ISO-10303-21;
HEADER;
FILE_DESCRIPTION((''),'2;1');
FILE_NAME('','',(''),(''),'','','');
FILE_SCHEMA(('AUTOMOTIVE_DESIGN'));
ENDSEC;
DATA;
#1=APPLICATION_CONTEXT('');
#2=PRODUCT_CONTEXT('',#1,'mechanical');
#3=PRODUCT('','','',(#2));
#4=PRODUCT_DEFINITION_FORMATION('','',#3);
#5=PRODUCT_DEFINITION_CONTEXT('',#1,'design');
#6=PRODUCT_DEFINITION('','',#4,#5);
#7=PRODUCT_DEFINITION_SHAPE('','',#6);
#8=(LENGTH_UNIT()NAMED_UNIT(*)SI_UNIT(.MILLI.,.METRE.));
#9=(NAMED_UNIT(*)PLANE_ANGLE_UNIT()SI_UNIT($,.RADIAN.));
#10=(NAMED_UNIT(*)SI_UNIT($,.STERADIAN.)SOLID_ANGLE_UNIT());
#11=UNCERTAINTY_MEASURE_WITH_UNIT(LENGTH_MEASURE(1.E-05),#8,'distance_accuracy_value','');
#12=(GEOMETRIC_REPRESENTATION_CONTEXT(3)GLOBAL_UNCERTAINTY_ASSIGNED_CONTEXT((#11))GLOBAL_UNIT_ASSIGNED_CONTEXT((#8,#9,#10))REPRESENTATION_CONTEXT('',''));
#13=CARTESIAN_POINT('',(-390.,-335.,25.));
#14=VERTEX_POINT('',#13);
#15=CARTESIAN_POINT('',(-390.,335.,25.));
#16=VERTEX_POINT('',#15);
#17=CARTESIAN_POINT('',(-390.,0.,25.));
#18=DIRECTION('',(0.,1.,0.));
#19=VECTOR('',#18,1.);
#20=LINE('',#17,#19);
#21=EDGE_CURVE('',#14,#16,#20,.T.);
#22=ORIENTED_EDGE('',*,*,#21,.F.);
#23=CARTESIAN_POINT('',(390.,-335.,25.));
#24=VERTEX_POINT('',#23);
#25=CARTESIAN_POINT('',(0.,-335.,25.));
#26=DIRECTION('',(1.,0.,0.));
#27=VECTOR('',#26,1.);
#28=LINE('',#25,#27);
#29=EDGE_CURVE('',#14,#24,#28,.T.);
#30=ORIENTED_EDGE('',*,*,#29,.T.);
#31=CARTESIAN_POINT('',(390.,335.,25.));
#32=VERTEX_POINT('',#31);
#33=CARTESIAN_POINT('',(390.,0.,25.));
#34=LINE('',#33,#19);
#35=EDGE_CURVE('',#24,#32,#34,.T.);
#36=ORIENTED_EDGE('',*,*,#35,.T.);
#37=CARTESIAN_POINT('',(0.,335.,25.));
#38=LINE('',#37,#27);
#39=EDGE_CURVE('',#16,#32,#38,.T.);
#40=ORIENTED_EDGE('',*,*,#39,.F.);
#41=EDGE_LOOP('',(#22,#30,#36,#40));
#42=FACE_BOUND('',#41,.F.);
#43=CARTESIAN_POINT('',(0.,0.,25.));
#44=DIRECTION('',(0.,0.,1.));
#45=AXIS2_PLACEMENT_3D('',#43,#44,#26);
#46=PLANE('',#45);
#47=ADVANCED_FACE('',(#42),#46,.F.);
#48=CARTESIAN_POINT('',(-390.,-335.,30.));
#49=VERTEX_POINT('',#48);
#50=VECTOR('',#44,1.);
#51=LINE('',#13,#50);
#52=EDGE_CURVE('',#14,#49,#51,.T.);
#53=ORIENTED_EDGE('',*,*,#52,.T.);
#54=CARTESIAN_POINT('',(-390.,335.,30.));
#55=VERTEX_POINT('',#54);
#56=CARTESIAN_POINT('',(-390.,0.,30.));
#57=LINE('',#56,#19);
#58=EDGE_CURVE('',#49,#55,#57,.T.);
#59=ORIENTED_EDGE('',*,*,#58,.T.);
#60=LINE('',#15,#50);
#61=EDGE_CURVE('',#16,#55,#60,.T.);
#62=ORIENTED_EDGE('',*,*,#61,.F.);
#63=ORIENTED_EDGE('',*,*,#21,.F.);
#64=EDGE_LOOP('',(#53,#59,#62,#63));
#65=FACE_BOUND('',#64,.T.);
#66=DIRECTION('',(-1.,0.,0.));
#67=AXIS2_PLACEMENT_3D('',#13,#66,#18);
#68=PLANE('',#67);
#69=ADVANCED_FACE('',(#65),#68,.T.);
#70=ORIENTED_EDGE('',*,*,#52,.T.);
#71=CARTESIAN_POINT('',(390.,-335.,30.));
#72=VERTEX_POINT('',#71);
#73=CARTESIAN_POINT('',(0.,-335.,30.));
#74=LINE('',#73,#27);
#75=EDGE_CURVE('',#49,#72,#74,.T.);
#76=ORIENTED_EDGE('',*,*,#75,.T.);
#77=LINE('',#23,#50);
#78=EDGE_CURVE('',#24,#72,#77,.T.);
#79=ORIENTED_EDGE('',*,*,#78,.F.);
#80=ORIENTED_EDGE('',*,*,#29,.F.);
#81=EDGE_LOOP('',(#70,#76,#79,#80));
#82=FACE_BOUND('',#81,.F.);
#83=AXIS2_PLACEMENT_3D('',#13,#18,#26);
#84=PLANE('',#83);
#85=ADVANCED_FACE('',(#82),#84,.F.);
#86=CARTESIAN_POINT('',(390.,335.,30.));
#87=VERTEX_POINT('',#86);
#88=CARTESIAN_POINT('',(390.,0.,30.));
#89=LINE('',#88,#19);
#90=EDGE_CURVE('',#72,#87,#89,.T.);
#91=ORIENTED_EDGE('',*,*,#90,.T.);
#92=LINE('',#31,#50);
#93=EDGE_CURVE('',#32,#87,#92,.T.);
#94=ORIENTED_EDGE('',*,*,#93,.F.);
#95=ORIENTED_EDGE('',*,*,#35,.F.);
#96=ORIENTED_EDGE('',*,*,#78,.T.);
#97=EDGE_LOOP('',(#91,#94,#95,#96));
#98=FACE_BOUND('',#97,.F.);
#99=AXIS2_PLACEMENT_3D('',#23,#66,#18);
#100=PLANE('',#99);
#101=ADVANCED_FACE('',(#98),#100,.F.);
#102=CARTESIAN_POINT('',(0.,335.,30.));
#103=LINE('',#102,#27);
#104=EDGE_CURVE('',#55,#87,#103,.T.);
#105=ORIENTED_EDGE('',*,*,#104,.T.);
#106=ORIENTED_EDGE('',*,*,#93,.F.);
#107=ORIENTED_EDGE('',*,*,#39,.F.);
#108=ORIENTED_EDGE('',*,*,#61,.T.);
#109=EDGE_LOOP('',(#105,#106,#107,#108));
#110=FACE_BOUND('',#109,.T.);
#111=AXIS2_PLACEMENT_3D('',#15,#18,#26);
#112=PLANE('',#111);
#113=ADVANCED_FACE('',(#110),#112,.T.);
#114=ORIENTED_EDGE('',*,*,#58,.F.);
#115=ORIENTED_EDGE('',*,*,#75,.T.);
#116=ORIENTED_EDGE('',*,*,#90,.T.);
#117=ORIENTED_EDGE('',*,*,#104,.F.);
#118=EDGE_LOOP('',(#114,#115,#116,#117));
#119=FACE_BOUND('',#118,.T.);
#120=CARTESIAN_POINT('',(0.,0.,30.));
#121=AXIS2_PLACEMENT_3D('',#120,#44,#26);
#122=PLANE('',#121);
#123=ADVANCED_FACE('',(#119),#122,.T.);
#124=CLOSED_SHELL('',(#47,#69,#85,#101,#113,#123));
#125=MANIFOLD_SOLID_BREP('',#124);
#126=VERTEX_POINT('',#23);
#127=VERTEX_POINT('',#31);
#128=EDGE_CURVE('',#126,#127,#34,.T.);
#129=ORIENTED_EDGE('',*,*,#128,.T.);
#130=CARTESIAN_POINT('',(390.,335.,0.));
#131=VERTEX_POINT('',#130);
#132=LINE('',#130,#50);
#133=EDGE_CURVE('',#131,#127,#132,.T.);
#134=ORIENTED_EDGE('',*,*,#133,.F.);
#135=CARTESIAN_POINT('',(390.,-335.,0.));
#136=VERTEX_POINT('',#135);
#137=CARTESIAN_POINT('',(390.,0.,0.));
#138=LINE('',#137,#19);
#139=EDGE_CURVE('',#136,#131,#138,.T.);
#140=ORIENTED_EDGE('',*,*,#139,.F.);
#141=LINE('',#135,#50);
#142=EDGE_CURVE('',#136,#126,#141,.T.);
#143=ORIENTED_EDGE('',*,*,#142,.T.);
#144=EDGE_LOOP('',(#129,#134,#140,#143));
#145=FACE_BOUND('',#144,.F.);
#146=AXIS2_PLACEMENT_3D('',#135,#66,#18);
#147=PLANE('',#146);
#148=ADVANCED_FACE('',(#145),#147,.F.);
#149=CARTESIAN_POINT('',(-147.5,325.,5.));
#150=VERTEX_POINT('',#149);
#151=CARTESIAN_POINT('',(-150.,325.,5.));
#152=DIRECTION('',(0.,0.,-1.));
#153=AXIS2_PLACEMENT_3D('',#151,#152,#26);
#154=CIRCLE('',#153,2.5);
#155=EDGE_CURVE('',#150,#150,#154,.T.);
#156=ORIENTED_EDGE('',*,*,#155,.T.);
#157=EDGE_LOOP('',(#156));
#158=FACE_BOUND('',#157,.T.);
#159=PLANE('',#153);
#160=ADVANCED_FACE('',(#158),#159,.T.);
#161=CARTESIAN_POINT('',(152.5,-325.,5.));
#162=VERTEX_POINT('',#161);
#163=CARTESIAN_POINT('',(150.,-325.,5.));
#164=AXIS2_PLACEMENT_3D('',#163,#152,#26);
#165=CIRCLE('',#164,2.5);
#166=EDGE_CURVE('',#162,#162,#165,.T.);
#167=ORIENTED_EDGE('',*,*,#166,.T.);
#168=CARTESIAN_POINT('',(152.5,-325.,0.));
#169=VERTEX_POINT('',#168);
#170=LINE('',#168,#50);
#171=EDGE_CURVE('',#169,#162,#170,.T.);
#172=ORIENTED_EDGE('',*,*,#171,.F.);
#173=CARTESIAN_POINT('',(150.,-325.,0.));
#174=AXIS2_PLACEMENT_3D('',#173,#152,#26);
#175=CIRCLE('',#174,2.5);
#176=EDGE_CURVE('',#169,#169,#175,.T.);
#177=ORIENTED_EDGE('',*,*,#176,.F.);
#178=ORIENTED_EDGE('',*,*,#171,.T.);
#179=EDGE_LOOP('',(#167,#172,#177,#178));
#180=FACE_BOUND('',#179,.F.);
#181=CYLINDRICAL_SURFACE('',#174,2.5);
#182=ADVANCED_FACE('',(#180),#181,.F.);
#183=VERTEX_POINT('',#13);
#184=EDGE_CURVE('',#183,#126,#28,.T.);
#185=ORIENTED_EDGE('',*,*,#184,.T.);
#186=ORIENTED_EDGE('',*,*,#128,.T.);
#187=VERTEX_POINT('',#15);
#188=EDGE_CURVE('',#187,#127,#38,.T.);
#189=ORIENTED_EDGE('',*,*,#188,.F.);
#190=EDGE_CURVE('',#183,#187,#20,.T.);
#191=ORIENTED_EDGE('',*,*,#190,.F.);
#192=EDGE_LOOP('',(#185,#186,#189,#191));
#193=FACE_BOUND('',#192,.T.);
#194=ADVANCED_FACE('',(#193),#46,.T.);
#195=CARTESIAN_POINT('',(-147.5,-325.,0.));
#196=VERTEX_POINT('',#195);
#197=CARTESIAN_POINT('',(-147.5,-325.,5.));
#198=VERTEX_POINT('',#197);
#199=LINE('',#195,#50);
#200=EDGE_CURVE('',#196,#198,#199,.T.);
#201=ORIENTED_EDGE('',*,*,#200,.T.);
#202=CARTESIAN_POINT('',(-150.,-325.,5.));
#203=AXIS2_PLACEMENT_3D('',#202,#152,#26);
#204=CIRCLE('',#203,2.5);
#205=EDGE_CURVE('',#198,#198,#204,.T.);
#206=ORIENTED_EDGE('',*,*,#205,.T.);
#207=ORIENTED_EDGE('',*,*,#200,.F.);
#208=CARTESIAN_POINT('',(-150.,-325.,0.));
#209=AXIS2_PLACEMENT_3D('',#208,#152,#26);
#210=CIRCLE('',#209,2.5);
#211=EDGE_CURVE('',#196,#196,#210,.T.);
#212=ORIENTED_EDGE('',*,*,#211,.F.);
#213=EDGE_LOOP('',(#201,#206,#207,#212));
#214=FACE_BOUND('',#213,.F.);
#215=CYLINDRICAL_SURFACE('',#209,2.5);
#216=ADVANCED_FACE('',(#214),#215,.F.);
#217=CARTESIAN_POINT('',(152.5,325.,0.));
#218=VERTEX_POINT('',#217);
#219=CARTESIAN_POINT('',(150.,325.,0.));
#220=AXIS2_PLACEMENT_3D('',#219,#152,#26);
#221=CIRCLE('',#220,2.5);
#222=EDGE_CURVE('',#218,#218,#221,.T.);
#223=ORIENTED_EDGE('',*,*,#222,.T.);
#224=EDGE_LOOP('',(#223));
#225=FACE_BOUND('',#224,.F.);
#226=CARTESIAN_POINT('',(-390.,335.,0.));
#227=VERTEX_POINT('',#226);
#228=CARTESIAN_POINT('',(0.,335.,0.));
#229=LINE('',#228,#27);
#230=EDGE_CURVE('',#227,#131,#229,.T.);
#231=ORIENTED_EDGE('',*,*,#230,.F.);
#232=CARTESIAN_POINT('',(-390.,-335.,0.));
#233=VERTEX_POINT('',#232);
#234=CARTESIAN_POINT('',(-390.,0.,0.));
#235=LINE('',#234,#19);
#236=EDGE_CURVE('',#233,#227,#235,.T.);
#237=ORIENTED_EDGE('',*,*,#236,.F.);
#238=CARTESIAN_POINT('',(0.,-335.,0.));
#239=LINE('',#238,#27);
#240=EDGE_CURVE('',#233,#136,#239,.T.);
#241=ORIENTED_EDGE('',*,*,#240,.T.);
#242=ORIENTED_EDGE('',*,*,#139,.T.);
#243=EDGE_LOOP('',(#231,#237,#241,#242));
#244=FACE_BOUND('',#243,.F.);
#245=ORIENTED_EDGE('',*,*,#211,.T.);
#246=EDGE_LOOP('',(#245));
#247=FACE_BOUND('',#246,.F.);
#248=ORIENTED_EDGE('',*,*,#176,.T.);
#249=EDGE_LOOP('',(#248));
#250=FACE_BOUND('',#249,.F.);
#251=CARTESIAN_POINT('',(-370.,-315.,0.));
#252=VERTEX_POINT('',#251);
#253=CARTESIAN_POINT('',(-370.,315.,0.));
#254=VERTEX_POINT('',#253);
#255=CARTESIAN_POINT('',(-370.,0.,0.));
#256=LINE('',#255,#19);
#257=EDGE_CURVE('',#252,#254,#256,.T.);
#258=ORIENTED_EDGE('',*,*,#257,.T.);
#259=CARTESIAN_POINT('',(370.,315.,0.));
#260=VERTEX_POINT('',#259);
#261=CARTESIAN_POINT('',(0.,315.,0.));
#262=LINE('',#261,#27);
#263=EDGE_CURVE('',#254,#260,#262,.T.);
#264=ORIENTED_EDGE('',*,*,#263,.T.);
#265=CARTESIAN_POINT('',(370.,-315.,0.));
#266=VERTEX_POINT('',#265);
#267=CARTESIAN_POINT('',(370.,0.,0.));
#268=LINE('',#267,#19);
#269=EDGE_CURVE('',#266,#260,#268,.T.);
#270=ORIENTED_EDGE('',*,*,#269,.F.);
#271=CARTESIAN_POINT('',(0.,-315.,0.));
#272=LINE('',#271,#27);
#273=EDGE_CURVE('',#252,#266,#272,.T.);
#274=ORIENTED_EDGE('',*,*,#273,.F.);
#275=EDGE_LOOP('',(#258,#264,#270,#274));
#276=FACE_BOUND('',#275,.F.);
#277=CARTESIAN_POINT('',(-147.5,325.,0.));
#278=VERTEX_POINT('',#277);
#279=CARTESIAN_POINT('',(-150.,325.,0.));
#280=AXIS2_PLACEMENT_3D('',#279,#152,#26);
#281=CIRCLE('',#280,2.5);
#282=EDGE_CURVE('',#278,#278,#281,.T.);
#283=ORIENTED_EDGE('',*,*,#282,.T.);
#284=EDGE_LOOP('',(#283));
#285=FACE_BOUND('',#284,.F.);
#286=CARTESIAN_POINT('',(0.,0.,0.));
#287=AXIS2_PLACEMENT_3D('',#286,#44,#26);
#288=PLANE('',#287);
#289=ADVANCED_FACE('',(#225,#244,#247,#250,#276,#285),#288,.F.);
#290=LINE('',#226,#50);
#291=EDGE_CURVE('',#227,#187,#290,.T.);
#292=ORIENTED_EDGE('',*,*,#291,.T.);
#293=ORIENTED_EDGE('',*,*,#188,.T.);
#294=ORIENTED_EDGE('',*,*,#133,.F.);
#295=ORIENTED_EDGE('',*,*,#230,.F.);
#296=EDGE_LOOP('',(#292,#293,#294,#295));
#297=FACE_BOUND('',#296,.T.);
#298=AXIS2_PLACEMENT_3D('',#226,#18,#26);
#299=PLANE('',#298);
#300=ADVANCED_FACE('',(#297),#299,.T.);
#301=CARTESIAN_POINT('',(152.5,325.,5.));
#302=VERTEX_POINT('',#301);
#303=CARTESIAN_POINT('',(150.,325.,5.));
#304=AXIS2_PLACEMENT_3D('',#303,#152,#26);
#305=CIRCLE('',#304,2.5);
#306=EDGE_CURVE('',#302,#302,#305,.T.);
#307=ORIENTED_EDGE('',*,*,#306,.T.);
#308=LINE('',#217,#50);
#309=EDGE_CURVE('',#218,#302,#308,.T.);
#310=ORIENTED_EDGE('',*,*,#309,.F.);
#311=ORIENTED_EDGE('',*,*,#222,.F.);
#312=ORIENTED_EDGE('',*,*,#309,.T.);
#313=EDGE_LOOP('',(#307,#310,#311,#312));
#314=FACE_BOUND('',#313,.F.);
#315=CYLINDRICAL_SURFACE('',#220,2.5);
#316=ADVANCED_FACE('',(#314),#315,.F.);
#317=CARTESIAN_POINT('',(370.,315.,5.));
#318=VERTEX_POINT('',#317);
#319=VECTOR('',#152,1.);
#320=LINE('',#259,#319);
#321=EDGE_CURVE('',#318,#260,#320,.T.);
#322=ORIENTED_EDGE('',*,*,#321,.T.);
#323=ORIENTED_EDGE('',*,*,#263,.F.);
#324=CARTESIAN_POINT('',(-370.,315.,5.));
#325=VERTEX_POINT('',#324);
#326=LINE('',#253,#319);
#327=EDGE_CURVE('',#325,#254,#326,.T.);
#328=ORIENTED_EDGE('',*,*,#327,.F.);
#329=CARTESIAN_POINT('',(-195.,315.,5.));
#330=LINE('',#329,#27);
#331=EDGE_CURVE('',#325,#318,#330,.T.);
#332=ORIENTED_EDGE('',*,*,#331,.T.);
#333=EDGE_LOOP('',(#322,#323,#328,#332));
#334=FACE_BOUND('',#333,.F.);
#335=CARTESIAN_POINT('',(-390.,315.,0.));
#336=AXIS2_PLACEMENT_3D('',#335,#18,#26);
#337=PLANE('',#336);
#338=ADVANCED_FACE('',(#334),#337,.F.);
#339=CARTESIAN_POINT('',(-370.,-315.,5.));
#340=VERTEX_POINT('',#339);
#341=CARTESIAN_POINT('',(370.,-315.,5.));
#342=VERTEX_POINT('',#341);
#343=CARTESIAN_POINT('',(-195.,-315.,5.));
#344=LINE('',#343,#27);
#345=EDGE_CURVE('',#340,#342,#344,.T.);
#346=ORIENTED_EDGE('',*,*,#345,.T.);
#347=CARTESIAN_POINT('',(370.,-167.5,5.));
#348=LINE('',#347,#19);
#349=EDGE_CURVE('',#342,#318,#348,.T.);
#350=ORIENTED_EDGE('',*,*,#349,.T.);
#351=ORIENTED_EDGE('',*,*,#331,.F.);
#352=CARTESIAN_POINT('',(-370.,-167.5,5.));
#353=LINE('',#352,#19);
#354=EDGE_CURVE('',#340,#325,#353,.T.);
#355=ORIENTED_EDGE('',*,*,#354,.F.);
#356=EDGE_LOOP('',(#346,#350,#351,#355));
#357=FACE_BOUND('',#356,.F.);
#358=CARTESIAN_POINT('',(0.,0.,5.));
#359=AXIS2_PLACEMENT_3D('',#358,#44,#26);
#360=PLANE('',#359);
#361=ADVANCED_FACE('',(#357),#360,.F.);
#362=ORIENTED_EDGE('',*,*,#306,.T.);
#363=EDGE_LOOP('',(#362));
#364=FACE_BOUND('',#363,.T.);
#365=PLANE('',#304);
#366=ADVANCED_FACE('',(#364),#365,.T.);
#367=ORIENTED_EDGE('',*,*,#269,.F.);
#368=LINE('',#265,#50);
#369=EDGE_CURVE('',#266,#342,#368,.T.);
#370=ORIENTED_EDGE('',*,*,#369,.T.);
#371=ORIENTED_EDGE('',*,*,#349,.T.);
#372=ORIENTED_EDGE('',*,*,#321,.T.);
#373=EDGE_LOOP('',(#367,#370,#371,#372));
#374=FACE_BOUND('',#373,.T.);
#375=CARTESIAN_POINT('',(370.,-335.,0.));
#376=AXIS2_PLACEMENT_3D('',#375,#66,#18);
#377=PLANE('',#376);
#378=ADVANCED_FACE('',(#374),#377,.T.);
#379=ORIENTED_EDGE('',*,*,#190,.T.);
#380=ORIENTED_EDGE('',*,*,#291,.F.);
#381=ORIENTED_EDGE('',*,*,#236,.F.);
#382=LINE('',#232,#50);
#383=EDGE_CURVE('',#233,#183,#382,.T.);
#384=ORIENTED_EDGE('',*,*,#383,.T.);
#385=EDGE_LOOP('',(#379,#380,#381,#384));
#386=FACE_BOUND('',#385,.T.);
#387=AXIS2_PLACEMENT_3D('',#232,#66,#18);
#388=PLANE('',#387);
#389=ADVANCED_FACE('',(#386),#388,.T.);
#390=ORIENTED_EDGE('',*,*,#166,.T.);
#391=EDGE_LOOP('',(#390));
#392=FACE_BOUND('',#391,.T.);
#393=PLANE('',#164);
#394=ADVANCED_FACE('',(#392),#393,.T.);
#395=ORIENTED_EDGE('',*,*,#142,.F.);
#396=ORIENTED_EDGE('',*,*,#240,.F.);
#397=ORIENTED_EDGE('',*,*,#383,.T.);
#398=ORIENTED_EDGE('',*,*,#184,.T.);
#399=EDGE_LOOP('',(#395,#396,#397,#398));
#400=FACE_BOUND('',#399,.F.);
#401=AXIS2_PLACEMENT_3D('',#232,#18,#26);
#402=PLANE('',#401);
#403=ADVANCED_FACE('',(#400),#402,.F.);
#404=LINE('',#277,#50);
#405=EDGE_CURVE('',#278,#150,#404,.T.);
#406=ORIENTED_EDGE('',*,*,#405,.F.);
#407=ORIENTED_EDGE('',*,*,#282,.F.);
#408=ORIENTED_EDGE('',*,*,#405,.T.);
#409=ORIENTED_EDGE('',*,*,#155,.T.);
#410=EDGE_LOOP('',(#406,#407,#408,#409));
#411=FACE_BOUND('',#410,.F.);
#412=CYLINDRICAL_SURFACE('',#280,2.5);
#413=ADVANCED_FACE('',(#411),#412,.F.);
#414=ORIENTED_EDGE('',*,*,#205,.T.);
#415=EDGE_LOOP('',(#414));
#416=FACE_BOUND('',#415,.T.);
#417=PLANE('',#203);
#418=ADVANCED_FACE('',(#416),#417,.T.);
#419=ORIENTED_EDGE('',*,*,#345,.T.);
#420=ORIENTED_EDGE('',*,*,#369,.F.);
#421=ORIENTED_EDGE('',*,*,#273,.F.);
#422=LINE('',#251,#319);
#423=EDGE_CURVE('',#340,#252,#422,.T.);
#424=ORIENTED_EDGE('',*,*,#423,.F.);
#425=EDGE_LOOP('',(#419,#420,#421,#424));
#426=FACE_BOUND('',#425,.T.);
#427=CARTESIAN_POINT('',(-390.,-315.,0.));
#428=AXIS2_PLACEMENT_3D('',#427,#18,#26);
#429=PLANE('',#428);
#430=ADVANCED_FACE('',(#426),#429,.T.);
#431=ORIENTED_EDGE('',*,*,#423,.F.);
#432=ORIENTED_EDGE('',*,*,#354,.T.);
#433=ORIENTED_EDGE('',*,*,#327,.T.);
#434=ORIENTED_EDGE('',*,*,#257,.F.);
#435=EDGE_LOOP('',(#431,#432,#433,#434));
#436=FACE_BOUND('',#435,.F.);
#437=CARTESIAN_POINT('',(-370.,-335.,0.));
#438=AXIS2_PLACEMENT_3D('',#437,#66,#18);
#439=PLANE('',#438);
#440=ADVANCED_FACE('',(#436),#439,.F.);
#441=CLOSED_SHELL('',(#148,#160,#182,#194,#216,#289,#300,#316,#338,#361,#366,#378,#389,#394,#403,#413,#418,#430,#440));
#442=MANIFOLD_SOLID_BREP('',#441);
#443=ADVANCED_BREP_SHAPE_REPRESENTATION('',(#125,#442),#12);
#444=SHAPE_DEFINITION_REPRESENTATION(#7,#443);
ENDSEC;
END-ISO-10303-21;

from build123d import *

# Parameters (mm, degrees)
F0_W     = 780
F0_H     = 670
F1_DEPTH = 25
F2_T     = -20
F3_R     = 2.5
F4_DEPTH = 5
F5_W     = 780
F5_H     = 670
F6_DEPTH = 5


with BuildPart() as f1:
    # F0 (on Top) → F1 (new body)
    with BuildSketch(Plane.XY):
        Rectangle(F0_W, F0_H)
    extrude(amount=F1_DEPTH)

    # F2
    f2_openings = [f1.faces().sort_by_distance(p)[0] for p in [
        (0, 0, 0),
    ]]
    offset(amount=F2_T, openings=f2_openings)

    # F3 (on face) → F4 (cut)
    with BuildSketch(Plane(origin=(0, 0, 0), x_dir=(1, 0, 0), z_dir=(0, 0, -1))):
        with Locations((-150, 325)):
            Circle(F3_R)
        with Locations((150, 325)):
            Circle(F3_R)
        with Locations((150, -325)):
            Circle(F3_R)
        with Locations((-150, -325)):
            Circle(F3_R)
    extrude(amount=-F4_DEPTH, mode=Mode.SUBTRACT)


with BuildPart() as f6:
    # F5 (on face) → F6 (new body)
    with BuildSketch(Plane.XY.offset(25)):
        Rectangle(F5_W, F5_H)
    extrude(amount=F6_DEPTH)


solid = Compound([f1.part, f6.part])
